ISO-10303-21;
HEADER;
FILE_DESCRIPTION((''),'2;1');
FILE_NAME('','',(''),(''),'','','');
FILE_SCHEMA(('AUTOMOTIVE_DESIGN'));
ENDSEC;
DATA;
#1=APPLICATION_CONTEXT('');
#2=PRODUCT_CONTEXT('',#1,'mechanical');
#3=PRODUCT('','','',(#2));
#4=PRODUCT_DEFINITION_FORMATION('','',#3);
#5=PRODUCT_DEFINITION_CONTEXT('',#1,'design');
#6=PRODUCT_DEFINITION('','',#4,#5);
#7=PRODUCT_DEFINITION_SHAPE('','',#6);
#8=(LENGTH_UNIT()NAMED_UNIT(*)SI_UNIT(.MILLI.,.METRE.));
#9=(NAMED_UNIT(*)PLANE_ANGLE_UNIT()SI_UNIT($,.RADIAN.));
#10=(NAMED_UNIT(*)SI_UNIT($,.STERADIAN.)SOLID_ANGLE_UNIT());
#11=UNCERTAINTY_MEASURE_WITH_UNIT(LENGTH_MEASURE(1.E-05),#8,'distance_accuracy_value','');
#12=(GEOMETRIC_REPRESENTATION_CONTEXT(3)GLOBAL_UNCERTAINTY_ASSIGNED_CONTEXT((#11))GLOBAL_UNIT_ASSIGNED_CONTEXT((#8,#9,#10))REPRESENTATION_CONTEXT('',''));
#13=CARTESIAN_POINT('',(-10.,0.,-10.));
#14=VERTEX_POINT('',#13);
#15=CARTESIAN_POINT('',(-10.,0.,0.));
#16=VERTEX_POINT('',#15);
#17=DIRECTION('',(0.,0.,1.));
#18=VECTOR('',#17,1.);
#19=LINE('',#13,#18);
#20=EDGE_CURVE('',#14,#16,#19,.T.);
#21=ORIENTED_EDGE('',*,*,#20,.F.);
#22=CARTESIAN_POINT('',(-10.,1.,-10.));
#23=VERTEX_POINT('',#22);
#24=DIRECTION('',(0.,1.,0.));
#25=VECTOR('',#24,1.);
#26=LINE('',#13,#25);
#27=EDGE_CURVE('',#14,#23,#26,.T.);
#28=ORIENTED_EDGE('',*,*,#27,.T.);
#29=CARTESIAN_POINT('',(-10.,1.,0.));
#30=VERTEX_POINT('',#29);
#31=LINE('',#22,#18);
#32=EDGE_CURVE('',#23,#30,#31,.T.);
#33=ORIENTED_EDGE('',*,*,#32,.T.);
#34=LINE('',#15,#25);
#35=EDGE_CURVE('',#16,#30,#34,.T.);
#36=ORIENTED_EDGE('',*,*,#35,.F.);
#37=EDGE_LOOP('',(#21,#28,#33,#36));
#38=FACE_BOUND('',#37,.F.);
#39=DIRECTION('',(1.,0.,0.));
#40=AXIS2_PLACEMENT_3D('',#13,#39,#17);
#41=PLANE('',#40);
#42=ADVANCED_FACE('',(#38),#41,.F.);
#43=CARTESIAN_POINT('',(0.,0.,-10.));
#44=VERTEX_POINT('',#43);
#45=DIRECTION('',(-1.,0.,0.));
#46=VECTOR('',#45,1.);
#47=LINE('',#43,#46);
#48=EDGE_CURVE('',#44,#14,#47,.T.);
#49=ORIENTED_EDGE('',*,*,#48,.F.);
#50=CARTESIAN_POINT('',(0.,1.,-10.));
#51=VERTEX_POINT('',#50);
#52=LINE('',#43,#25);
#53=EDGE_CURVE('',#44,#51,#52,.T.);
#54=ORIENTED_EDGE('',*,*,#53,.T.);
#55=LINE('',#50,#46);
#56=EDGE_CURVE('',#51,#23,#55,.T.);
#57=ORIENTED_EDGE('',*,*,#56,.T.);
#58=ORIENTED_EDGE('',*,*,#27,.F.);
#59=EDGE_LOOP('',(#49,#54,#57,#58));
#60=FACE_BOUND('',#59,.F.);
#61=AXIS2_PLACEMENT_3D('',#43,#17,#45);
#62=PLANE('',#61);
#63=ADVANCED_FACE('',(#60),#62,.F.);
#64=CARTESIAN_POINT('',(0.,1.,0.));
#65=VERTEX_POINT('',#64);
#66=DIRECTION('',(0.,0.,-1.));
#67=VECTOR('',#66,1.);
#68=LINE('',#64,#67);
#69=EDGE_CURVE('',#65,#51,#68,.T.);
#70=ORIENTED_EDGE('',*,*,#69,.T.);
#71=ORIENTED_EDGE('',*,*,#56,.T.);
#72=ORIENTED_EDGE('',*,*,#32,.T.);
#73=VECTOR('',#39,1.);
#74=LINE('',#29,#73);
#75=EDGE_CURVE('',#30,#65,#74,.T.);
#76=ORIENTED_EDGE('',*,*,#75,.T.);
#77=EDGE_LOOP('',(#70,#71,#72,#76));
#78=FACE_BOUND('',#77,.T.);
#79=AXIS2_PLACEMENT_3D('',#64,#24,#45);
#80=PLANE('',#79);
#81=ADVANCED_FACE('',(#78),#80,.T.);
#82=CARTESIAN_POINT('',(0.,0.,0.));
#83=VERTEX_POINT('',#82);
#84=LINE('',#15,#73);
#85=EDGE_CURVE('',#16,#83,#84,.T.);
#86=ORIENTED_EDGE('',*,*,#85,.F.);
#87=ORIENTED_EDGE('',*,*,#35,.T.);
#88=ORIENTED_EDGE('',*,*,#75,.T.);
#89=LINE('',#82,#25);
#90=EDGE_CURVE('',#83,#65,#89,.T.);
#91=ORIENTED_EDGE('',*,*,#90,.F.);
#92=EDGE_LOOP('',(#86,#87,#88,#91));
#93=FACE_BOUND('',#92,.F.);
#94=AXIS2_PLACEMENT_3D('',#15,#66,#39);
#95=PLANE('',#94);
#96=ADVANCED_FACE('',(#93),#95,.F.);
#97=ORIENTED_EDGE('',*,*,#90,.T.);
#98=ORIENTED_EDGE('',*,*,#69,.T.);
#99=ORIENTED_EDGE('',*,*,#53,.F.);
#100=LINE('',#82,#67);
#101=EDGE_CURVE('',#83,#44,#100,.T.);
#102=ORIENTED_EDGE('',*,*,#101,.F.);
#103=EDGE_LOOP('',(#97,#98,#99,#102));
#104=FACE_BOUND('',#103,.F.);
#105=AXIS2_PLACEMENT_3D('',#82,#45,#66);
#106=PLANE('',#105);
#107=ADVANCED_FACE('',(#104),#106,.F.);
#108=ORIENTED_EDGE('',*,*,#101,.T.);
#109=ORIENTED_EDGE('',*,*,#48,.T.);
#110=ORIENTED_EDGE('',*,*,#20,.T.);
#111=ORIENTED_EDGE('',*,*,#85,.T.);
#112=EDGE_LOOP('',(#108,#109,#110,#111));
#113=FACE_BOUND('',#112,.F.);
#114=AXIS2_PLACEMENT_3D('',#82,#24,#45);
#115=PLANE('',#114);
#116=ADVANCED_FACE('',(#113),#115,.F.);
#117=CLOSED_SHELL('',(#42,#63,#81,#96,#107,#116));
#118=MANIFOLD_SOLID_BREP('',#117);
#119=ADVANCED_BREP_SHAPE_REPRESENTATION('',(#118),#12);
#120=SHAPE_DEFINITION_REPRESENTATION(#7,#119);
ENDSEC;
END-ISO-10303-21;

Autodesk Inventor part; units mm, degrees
ref_plane "YZ Plane" through (0, 0, 0) normal (1, 0, 0) x (0, 1, 0)
ref_plane "XZ Plane" through (0, 0, 0) normal (0, 1, 0) x (-1, 0, 0)
ref_plane "XY Plane" through (0, 0, 0) normal (0, 0, 1) x (1, 0, 0)
sketch "Sketch1" plane through (0, 0, 0) normal (0, 1, 0) x (-1, 0, 0)
  line L0 (10, 0) -> (0, 0)
  line L1 (0, 0) -> (0, -10)
  line L2 (0, -10) -> (10, -10)
  line L3 (10, -10) -> (10, 0)
  dimension "d0" = 10
  dimension "d1" = 10
extrude "Extrusion1" add sketch "Sketch1" along normal blind 1
properties part number "filter" material "Glass"
